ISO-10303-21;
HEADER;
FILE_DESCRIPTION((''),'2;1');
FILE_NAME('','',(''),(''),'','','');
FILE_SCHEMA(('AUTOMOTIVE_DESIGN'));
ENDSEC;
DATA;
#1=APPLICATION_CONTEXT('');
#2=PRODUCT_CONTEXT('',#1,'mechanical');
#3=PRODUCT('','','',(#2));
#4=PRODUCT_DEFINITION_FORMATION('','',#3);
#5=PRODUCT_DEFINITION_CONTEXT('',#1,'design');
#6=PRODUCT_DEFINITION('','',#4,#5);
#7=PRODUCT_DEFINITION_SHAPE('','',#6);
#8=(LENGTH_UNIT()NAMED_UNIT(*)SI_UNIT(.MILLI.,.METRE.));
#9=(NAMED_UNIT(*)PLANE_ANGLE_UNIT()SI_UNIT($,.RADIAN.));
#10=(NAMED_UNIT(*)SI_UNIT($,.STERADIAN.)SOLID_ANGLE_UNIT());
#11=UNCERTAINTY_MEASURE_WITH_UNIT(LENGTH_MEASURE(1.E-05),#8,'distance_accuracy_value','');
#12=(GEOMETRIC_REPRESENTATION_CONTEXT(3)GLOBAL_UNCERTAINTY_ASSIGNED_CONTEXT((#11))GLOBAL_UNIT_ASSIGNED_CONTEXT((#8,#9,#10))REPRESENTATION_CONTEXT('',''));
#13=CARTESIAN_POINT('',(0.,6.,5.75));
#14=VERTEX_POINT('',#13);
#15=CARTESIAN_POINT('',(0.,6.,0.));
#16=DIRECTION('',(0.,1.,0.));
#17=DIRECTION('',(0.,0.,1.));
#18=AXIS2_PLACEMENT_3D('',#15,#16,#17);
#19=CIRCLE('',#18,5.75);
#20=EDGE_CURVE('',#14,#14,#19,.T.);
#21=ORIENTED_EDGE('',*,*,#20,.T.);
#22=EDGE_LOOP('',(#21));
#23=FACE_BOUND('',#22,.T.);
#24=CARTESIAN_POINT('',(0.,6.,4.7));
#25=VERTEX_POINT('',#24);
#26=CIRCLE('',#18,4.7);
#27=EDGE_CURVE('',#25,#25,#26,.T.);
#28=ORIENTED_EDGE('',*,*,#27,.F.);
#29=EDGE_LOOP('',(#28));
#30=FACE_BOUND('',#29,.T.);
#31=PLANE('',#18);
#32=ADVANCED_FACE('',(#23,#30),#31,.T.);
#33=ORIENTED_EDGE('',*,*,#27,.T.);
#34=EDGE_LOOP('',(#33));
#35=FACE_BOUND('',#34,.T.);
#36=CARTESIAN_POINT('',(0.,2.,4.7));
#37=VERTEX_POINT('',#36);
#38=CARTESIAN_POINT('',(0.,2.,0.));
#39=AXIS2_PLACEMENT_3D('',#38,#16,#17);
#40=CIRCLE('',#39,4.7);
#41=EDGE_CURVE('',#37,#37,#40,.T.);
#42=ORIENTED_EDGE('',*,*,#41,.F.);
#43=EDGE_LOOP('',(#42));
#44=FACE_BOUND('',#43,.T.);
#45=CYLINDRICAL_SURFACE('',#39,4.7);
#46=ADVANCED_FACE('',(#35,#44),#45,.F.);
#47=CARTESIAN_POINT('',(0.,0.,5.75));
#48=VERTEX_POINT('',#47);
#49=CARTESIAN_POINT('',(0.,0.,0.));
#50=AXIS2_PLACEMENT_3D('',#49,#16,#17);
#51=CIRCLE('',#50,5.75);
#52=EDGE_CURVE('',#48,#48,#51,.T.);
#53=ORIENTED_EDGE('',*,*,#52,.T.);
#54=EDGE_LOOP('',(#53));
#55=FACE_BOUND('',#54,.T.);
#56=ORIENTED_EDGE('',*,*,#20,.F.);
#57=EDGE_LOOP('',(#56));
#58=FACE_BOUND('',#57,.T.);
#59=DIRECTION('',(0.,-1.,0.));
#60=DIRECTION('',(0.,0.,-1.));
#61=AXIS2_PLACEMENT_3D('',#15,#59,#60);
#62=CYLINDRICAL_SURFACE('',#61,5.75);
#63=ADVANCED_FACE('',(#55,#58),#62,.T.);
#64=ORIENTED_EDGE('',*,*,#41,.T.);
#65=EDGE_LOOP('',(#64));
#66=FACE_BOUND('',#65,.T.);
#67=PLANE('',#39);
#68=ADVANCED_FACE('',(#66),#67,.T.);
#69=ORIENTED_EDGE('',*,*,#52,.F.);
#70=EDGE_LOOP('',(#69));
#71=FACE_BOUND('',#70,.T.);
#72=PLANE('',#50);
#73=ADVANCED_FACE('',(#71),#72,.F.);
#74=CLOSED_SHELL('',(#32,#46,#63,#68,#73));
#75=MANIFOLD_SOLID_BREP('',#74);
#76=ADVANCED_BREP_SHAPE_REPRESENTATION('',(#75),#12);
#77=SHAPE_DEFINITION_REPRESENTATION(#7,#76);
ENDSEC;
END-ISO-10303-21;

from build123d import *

# Parameters (mm, degrees)
SKETCH1_R           = 5.75
BOSS_EXTRUDE1_DEPTH = 6
SKETCH2_R           = 4.7
CUT_EXTRUDE1_DEPTH  = 4


with BuildPart() as part:
    # Sketch1 → Boss-Extrude1 (new body)
    with BuildSketch(Plane(origin=(0, 0, 0), x_dir=(1, 0, 0), z_dir=(0, 1, 0))):
        with Locations(Location((0, 0, 0), (0, 0, 270))):
            Circle(SKETCH1_R)
    extrude(amount=BOSS_EXTRUDE1_DEPTH)

    # Sketch2 → Cut-Extrude1 (cut)
    with BuildSketch(Plane(origin=(0, 6, 0), x_dir=(1, 0, 0), z_dir=(0, 1, 0))):
        with Locations(Location((0, 0, 0), (0, 0, 270))):
            Circle(SKETCH2_R)
    extrude(amount=-CUT_EXTRUDE1_DEPTH, mode=Mode.SUBTRACT)


solid = part.part
